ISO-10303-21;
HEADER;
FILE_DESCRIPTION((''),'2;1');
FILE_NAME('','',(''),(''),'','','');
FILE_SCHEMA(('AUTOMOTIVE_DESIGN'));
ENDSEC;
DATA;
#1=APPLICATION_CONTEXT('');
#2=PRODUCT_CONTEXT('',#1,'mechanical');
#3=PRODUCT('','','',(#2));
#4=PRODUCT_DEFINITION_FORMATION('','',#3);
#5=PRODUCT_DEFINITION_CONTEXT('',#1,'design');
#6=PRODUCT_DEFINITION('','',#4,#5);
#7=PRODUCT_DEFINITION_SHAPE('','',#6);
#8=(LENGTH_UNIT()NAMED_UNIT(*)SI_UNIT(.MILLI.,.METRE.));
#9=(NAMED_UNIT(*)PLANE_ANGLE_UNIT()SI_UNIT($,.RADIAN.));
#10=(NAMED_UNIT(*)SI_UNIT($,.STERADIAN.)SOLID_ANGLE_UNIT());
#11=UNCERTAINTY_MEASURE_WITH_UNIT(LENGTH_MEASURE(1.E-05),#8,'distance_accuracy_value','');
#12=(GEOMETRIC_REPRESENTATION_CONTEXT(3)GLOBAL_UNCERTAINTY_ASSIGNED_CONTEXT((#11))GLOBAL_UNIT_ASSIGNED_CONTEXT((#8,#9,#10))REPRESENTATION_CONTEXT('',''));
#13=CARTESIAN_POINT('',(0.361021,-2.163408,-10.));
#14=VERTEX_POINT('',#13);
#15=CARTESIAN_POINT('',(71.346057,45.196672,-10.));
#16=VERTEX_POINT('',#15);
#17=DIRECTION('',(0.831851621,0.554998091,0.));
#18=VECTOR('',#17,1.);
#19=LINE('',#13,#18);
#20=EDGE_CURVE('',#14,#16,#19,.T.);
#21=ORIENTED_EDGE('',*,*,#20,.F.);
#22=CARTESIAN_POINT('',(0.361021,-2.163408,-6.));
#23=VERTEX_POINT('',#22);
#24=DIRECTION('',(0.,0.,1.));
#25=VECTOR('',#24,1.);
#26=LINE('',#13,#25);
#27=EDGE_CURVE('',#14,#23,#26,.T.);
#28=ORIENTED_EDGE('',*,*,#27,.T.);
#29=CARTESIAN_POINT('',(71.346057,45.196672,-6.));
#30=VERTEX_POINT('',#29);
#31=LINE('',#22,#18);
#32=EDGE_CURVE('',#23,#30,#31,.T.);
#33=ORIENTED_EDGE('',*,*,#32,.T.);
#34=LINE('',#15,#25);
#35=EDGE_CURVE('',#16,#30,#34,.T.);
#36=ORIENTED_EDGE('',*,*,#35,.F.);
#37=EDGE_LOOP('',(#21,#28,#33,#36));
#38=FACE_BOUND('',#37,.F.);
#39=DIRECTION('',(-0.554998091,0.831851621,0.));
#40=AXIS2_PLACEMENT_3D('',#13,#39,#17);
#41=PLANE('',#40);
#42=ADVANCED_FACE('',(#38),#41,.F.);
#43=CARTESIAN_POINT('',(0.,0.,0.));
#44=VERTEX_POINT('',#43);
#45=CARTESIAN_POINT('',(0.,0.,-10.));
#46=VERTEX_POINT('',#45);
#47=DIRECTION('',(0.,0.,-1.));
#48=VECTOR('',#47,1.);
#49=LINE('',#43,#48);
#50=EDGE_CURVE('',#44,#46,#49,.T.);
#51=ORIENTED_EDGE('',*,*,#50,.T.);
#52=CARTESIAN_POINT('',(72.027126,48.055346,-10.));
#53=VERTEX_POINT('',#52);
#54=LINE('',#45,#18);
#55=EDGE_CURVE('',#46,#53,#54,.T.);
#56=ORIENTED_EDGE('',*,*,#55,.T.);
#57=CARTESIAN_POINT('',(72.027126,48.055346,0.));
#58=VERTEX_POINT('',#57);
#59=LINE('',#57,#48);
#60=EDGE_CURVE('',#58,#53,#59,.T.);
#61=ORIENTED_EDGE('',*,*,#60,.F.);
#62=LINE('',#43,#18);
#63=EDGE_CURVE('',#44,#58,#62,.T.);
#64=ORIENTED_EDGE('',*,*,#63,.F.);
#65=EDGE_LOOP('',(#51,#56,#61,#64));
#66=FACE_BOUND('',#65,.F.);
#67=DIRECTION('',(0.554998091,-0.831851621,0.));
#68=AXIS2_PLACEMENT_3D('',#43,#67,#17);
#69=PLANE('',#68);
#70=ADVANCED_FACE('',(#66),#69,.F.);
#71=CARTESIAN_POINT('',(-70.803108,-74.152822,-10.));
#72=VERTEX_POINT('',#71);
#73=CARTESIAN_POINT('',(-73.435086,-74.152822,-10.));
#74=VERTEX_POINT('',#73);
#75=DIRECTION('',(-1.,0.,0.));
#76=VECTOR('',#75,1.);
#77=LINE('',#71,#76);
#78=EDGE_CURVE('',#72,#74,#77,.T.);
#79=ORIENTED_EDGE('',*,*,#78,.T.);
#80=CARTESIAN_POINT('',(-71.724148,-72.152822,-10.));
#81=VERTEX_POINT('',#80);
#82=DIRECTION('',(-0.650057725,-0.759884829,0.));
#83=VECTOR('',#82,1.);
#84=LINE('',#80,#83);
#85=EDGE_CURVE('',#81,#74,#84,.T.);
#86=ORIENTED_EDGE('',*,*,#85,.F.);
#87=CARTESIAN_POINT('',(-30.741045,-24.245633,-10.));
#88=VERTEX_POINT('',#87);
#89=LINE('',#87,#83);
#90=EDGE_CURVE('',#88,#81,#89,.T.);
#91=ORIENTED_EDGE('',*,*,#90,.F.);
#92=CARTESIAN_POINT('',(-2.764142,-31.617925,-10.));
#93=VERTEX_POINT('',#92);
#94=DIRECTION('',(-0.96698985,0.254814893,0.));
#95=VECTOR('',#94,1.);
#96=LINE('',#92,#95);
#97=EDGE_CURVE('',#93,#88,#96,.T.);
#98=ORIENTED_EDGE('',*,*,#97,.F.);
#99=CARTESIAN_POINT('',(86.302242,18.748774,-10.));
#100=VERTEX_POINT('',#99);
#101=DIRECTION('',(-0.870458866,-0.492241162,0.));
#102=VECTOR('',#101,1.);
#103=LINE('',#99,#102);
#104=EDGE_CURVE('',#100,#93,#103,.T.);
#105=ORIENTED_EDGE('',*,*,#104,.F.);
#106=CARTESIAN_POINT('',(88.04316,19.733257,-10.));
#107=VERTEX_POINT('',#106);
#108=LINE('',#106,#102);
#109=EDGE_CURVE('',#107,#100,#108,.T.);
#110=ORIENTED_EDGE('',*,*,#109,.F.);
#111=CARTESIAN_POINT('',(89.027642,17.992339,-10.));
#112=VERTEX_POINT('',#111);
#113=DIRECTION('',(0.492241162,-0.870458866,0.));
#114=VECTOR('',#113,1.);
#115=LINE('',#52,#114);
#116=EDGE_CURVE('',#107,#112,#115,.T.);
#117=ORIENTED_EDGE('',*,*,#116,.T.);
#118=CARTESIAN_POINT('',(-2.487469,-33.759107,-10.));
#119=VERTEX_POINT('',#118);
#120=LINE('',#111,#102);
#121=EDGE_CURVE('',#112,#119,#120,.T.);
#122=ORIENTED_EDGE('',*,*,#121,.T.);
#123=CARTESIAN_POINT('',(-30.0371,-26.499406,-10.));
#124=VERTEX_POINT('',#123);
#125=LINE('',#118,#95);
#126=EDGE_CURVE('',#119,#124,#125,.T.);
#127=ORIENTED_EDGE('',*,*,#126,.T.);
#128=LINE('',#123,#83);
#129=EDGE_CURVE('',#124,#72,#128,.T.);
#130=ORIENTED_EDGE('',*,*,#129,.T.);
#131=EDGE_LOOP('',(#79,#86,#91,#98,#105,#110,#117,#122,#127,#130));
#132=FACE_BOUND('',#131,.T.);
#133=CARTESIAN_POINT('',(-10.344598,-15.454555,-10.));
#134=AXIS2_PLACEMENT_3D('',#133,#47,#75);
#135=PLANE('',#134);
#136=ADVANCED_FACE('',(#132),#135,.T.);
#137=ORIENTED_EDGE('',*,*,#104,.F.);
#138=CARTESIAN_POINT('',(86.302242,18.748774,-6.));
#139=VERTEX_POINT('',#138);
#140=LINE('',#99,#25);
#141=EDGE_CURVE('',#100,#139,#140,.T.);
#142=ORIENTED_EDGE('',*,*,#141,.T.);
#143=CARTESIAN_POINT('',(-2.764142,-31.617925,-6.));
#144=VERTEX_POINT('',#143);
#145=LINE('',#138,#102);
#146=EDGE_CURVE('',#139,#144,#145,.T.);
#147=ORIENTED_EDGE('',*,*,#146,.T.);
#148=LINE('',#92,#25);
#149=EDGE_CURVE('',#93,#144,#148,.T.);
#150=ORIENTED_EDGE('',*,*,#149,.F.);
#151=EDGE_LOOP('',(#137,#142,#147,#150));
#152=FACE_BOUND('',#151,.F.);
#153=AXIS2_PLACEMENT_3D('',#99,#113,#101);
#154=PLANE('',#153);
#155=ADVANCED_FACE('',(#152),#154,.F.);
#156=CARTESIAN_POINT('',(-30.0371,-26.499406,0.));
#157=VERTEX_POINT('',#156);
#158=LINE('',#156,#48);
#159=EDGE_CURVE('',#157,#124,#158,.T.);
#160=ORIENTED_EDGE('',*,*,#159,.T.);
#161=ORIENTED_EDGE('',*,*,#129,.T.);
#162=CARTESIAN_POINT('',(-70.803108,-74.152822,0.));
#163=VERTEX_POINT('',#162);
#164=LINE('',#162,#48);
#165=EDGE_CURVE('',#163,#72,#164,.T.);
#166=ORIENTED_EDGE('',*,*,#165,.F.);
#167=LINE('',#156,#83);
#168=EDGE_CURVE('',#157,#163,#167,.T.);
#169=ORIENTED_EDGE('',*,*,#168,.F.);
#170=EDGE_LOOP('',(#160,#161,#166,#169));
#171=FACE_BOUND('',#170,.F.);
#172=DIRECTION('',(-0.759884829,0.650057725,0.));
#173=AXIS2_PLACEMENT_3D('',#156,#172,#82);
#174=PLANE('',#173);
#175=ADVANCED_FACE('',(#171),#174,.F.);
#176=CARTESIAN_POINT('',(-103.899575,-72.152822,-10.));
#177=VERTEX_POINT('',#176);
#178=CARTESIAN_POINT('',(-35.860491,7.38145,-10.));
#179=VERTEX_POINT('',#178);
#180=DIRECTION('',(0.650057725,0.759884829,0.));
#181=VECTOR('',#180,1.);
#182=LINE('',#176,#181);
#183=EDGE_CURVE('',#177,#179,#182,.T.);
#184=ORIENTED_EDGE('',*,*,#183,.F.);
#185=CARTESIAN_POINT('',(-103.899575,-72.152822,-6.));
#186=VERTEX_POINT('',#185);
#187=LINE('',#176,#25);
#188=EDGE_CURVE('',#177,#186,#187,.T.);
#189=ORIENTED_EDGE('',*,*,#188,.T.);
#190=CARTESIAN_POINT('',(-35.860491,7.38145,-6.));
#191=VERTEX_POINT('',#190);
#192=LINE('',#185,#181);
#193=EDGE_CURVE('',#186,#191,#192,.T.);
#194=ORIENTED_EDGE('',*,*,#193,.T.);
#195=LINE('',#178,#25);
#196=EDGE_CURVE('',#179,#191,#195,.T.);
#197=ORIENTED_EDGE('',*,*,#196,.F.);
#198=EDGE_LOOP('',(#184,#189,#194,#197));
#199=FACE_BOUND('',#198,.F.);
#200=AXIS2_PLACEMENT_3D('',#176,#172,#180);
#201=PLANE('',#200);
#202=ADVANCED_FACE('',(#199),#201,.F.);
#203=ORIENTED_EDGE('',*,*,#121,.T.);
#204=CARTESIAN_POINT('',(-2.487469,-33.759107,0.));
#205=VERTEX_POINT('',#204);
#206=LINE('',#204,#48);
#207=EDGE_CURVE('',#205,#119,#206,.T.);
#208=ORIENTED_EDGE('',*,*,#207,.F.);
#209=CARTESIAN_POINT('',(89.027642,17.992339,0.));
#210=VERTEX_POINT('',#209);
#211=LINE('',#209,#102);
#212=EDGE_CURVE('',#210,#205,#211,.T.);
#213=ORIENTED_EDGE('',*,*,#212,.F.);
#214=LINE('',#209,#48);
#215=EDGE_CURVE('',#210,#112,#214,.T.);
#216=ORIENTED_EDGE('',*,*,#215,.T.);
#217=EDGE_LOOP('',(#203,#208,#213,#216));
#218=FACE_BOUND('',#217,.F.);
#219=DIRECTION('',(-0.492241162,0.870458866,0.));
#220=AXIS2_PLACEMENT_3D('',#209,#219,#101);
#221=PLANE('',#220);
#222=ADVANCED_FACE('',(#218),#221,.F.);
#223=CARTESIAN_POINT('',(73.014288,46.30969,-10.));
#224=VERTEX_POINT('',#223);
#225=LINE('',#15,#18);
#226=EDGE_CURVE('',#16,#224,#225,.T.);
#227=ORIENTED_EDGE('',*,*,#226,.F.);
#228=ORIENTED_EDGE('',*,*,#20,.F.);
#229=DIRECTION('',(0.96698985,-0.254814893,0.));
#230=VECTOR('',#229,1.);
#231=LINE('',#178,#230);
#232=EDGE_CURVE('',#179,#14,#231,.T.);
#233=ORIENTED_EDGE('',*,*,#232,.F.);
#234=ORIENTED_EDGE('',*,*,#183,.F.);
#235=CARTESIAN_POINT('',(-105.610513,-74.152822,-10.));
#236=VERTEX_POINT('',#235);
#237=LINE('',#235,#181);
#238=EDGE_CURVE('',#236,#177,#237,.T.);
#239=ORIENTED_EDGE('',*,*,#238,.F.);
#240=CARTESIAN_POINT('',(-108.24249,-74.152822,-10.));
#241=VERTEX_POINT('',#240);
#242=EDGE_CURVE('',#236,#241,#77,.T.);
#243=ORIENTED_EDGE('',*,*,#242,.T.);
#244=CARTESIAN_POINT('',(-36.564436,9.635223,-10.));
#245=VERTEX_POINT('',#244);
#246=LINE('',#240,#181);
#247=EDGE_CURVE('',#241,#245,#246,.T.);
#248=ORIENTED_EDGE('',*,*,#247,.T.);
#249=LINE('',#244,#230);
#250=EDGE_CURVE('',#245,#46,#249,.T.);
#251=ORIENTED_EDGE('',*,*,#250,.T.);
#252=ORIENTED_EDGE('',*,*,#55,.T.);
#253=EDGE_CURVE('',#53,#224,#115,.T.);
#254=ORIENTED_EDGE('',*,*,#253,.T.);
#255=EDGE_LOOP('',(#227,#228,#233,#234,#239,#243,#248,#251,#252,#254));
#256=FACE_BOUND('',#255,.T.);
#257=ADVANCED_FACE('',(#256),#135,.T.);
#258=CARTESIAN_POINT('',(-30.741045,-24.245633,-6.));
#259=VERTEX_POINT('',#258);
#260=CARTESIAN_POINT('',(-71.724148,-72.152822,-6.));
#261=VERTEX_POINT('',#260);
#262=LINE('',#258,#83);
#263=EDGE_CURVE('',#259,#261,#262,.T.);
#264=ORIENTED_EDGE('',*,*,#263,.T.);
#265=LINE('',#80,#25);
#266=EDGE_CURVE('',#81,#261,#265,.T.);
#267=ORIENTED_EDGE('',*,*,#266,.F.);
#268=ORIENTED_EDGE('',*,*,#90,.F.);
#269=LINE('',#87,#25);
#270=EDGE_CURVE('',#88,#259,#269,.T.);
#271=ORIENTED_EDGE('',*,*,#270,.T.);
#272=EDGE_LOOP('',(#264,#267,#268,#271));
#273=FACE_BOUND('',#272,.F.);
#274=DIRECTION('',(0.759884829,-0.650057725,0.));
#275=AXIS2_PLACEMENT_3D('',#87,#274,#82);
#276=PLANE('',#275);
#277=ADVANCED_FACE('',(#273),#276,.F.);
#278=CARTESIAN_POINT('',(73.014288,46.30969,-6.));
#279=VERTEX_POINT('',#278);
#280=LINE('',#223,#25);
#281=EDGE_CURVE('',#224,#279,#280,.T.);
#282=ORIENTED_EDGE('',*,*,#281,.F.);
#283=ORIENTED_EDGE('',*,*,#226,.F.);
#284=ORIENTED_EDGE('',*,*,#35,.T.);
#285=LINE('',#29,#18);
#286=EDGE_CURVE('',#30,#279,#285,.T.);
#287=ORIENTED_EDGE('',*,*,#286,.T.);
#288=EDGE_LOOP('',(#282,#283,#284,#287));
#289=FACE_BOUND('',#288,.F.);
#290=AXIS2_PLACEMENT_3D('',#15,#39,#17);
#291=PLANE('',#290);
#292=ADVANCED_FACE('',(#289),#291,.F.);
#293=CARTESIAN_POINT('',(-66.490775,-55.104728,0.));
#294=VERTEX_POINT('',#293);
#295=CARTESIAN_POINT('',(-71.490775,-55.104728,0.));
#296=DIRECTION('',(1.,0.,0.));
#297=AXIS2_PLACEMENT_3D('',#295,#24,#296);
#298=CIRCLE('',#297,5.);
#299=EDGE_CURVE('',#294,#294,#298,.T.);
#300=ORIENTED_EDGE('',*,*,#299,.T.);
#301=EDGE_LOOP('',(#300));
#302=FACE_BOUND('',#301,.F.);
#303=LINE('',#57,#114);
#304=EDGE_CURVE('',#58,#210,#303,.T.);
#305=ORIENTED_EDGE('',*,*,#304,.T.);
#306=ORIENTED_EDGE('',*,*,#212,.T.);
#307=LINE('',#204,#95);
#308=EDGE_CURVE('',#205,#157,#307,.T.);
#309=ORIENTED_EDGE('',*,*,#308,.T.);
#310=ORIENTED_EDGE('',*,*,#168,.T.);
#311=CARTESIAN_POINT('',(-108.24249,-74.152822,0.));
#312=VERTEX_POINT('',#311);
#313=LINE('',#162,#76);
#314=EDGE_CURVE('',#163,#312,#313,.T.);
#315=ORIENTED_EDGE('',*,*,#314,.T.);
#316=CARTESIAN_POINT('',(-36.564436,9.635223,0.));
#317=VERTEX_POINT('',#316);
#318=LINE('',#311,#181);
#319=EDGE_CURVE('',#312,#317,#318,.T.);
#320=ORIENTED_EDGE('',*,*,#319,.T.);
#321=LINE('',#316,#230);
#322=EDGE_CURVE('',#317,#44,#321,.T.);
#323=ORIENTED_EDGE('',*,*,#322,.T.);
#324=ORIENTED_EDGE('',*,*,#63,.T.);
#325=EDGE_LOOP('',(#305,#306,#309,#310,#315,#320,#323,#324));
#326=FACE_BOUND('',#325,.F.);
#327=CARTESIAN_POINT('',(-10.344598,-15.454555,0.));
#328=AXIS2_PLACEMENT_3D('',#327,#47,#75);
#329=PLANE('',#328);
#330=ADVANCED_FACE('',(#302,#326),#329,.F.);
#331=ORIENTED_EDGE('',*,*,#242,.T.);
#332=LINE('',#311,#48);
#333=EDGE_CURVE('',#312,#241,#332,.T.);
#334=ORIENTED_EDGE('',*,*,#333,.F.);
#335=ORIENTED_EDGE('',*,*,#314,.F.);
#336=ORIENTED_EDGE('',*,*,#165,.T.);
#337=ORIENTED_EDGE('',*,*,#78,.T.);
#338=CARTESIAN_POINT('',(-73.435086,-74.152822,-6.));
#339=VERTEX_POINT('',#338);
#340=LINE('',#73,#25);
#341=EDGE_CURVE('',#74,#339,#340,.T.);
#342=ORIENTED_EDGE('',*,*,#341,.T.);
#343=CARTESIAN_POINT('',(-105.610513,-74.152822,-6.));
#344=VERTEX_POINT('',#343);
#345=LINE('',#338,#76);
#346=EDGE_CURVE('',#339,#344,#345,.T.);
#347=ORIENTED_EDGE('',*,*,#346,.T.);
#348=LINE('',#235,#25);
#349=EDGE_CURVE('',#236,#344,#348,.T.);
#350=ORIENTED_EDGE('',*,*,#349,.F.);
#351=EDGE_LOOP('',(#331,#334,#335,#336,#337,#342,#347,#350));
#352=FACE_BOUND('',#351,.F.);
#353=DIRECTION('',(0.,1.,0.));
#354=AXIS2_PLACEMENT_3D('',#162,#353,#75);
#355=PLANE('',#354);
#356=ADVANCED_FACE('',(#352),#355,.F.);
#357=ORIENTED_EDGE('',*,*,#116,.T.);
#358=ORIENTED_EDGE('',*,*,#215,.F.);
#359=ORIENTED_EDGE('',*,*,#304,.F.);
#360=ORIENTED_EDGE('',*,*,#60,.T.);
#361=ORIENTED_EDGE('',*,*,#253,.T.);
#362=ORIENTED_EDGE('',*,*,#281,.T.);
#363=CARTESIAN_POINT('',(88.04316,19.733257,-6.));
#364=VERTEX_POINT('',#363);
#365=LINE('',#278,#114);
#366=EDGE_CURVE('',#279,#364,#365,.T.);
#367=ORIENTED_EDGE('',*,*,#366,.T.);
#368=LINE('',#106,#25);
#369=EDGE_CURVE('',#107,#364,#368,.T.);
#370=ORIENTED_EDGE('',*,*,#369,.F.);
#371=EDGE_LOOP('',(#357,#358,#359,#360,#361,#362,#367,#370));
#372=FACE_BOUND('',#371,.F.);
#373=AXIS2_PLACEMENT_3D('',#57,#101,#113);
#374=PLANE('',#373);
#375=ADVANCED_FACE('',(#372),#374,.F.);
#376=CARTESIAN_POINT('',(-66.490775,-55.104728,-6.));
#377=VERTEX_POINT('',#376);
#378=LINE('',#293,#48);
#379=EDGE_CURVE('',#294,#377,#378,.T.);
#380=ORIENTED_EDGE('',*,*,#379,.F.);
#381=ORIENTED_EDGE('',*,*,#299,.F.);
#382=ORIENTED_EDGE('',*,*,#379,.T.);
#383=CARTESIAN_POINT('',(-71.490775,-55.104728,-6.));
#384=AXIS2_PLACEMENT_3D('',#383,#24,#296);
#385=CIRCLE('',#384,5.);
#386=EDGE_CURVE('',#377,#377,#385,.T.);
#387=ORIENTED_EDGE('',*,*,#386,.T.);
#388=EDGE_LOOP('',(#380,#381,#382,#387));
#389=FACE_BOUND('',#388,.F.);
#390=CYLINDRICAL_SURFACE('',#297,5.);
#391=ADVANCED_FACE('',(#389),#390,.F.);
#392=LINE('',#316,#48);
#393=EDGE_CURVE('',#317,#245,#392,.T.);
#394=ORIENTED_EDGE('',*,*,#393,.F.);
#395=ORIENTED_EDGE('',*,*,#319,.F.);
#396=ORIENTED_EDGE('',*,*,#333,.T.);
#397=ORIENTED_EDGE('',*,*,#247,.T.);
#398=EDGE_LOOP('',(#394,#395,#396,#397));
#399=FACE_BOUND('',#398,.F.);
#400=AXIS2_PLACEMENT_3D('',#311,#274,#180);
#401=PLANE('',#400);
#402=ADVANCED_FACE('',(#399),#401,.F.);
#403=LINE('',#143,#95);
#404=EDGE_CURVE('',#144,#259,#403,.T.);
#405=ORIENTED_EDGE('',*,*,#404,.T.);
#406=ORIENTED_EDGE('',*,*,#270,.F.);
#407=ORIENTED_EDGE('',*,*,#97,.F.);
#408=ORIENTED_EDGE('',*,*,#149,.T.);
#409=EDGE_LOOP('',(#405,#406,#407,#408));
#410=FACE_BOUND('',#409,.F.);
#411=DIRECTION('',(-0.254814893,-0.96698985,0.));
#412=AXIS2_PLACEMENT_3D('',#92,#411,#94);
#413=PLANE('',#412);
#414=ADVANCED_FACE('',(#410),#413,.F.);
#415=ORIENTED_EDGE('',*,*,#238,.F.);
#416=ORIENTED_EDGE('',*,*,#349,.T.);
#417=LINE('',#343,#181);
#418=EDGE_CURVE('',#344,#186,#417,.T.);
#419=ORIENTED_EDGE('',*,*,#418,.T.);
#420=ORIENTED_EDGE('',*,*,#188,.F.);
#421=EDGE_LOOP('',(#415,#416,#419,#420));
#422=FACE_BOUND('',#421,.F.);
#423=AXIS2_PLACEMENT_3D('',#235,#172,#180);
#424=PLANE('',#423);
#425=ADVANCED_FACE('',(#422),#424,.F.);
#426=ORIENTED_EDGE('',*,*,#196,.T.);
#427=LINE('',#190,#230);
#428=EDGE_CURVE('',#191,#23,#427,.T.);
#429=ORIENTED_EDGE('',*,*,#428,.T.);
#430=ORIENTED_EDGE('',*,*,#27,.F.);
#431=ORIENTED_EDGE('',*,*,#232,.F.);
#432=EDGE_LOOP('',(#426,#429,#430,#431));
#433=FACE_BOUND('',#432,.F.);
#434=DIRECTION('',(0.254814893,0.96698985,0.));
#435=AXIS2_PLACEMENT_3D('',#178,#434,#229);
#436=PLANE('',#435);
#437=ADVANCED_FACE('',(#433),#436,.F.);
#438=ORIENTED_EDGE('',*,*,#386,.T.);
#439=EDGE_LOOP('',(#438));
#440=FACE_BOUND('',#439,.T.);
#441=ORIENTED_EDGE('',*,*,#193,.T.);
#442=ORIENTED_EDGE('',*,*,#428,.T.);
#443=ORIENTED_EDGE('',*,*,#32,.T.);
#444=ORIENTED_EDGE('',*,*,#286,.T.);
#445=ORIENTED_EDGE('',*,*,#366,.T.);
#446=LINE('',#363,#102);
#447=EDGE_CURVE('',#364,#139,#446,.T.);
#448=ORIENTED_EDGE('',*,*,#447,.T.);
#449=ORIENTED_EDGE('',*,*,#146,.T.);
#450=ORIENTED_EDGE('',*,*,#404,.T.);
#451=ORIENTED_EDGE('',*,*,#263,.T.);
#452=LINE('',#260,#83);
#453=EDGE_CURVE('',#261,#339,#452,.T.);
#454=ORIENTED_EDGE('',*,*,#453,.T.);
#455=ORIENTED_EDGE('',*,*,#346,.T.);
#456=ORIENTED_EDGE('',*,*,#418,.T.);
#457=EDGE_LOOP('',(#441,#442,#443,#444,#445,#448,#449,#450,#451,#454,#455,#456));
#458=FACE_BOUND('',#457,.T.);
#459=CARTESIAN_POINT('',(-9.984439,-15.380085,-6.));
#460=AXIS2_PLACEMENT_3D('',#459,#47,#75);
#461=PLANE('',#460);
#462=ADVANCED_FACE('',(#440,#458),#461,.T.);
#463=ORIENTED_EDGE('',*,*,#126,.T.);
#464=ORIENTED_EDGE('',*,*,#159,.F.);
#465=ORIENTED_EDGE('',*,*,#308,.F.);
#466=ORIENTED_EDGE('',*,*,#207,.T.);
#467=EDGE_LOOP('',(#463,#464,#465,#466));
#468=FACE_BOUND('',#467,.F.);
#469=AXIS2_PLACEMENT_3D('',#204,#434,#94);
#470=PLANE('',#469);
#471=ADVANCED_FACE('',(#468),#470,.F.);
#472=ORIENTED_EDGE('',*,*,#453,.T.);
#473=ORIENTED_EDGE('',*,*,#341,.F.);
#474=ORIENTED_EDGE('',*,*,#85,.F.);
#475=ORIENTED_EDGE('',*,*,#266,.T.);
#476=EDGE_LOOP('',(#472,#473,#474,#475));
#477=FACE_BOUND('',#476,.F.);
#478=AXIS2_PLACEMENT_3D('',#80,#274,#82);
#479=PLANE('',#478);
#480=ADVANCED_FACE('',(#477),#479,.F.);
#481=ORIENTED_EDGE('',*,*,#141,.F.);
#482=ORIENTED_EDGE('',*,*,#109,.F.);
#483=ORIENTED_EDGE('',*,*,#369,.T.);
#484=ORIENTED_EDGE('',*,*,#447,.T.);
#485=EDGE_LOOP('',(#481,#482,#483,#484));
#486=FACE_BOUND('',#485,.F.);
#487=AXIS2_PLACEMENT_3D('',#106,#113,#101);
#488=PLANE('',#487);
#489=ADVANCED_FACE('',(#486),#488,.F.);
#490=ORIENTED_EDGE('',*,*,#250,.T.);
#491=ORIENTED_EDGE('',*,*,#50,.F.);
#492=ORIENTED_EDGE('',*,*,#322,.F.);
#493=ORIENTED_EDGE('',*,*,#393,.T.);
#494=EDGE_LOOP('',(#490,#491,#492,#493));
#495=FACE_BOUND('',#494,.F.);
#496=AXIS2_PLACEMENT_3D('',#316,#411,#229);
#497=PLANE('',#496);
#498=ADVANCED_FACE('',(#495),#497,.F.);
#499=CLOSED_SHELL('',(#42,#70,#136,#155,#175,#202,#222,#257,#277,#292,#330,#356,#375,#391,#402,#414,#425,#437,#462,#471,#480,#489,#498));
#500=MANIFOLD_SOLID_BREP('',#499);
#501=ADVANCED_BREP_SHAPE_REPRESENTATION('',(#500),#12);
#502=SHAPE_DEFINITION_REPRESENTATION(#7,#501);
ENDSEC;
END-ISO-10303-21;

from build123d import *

# Parameters (mm, degrees)
SKETCH1_R           = 5
BOSS_EXTRUDE1_DEPTH = 10
CUT_EXTRUDE1_DEPTH  = 4


with BuildPart() as part:
    # Sketch1 → Boss-Extrude1 (new body)
    with BuildSketch(Plane.XY):
        Polygon((72.027126309, 48.055346158), (89.027642078, 17.992338813), (-2.487468662, -33.759106586), (-30.037099765, -26.499406498), (-70.803107952, -74.152822461), (-108.242490343, -74.152822461), (-36.564435859, 9.635222963), (0, 0), align=None)
        with Locations((-71.49077455, -55.104728104)):
            Circle(SKETCH1_R, mode=Mode.SUBTRACT)
    extrude(amount=-BOSS_EXTRUDE1_DEPTH)

    # Sketch2 → Cut-Extrude1 (cut)
    with BuildSketch(Plane(origin=(0, 0, -10), x_dir=(-1, 0, 0), z_dir=(0, 0, -1))):
        Polygon((-71.346056645, 45.196672444), (-73.014288261, 46.309689884), (-88.043159753, 19.733256545), (-86.30224202, 18.74877422), (2.764141771, -31.617925447), (30.741045074, -24.245633361), (71.72414825, -72.152822461), (73.43508575, -74.152822461), (105.610512545, -74.152822461), (103.899575045, -72.152822461), (35.86049055, 7.381449825), (-0.361020517, -2.163407821), align=None)
    extrude(amount=-CUT_EXTRUDE1_DEPTH, mode=Mode.SUBTRACT)


solid = part.part
